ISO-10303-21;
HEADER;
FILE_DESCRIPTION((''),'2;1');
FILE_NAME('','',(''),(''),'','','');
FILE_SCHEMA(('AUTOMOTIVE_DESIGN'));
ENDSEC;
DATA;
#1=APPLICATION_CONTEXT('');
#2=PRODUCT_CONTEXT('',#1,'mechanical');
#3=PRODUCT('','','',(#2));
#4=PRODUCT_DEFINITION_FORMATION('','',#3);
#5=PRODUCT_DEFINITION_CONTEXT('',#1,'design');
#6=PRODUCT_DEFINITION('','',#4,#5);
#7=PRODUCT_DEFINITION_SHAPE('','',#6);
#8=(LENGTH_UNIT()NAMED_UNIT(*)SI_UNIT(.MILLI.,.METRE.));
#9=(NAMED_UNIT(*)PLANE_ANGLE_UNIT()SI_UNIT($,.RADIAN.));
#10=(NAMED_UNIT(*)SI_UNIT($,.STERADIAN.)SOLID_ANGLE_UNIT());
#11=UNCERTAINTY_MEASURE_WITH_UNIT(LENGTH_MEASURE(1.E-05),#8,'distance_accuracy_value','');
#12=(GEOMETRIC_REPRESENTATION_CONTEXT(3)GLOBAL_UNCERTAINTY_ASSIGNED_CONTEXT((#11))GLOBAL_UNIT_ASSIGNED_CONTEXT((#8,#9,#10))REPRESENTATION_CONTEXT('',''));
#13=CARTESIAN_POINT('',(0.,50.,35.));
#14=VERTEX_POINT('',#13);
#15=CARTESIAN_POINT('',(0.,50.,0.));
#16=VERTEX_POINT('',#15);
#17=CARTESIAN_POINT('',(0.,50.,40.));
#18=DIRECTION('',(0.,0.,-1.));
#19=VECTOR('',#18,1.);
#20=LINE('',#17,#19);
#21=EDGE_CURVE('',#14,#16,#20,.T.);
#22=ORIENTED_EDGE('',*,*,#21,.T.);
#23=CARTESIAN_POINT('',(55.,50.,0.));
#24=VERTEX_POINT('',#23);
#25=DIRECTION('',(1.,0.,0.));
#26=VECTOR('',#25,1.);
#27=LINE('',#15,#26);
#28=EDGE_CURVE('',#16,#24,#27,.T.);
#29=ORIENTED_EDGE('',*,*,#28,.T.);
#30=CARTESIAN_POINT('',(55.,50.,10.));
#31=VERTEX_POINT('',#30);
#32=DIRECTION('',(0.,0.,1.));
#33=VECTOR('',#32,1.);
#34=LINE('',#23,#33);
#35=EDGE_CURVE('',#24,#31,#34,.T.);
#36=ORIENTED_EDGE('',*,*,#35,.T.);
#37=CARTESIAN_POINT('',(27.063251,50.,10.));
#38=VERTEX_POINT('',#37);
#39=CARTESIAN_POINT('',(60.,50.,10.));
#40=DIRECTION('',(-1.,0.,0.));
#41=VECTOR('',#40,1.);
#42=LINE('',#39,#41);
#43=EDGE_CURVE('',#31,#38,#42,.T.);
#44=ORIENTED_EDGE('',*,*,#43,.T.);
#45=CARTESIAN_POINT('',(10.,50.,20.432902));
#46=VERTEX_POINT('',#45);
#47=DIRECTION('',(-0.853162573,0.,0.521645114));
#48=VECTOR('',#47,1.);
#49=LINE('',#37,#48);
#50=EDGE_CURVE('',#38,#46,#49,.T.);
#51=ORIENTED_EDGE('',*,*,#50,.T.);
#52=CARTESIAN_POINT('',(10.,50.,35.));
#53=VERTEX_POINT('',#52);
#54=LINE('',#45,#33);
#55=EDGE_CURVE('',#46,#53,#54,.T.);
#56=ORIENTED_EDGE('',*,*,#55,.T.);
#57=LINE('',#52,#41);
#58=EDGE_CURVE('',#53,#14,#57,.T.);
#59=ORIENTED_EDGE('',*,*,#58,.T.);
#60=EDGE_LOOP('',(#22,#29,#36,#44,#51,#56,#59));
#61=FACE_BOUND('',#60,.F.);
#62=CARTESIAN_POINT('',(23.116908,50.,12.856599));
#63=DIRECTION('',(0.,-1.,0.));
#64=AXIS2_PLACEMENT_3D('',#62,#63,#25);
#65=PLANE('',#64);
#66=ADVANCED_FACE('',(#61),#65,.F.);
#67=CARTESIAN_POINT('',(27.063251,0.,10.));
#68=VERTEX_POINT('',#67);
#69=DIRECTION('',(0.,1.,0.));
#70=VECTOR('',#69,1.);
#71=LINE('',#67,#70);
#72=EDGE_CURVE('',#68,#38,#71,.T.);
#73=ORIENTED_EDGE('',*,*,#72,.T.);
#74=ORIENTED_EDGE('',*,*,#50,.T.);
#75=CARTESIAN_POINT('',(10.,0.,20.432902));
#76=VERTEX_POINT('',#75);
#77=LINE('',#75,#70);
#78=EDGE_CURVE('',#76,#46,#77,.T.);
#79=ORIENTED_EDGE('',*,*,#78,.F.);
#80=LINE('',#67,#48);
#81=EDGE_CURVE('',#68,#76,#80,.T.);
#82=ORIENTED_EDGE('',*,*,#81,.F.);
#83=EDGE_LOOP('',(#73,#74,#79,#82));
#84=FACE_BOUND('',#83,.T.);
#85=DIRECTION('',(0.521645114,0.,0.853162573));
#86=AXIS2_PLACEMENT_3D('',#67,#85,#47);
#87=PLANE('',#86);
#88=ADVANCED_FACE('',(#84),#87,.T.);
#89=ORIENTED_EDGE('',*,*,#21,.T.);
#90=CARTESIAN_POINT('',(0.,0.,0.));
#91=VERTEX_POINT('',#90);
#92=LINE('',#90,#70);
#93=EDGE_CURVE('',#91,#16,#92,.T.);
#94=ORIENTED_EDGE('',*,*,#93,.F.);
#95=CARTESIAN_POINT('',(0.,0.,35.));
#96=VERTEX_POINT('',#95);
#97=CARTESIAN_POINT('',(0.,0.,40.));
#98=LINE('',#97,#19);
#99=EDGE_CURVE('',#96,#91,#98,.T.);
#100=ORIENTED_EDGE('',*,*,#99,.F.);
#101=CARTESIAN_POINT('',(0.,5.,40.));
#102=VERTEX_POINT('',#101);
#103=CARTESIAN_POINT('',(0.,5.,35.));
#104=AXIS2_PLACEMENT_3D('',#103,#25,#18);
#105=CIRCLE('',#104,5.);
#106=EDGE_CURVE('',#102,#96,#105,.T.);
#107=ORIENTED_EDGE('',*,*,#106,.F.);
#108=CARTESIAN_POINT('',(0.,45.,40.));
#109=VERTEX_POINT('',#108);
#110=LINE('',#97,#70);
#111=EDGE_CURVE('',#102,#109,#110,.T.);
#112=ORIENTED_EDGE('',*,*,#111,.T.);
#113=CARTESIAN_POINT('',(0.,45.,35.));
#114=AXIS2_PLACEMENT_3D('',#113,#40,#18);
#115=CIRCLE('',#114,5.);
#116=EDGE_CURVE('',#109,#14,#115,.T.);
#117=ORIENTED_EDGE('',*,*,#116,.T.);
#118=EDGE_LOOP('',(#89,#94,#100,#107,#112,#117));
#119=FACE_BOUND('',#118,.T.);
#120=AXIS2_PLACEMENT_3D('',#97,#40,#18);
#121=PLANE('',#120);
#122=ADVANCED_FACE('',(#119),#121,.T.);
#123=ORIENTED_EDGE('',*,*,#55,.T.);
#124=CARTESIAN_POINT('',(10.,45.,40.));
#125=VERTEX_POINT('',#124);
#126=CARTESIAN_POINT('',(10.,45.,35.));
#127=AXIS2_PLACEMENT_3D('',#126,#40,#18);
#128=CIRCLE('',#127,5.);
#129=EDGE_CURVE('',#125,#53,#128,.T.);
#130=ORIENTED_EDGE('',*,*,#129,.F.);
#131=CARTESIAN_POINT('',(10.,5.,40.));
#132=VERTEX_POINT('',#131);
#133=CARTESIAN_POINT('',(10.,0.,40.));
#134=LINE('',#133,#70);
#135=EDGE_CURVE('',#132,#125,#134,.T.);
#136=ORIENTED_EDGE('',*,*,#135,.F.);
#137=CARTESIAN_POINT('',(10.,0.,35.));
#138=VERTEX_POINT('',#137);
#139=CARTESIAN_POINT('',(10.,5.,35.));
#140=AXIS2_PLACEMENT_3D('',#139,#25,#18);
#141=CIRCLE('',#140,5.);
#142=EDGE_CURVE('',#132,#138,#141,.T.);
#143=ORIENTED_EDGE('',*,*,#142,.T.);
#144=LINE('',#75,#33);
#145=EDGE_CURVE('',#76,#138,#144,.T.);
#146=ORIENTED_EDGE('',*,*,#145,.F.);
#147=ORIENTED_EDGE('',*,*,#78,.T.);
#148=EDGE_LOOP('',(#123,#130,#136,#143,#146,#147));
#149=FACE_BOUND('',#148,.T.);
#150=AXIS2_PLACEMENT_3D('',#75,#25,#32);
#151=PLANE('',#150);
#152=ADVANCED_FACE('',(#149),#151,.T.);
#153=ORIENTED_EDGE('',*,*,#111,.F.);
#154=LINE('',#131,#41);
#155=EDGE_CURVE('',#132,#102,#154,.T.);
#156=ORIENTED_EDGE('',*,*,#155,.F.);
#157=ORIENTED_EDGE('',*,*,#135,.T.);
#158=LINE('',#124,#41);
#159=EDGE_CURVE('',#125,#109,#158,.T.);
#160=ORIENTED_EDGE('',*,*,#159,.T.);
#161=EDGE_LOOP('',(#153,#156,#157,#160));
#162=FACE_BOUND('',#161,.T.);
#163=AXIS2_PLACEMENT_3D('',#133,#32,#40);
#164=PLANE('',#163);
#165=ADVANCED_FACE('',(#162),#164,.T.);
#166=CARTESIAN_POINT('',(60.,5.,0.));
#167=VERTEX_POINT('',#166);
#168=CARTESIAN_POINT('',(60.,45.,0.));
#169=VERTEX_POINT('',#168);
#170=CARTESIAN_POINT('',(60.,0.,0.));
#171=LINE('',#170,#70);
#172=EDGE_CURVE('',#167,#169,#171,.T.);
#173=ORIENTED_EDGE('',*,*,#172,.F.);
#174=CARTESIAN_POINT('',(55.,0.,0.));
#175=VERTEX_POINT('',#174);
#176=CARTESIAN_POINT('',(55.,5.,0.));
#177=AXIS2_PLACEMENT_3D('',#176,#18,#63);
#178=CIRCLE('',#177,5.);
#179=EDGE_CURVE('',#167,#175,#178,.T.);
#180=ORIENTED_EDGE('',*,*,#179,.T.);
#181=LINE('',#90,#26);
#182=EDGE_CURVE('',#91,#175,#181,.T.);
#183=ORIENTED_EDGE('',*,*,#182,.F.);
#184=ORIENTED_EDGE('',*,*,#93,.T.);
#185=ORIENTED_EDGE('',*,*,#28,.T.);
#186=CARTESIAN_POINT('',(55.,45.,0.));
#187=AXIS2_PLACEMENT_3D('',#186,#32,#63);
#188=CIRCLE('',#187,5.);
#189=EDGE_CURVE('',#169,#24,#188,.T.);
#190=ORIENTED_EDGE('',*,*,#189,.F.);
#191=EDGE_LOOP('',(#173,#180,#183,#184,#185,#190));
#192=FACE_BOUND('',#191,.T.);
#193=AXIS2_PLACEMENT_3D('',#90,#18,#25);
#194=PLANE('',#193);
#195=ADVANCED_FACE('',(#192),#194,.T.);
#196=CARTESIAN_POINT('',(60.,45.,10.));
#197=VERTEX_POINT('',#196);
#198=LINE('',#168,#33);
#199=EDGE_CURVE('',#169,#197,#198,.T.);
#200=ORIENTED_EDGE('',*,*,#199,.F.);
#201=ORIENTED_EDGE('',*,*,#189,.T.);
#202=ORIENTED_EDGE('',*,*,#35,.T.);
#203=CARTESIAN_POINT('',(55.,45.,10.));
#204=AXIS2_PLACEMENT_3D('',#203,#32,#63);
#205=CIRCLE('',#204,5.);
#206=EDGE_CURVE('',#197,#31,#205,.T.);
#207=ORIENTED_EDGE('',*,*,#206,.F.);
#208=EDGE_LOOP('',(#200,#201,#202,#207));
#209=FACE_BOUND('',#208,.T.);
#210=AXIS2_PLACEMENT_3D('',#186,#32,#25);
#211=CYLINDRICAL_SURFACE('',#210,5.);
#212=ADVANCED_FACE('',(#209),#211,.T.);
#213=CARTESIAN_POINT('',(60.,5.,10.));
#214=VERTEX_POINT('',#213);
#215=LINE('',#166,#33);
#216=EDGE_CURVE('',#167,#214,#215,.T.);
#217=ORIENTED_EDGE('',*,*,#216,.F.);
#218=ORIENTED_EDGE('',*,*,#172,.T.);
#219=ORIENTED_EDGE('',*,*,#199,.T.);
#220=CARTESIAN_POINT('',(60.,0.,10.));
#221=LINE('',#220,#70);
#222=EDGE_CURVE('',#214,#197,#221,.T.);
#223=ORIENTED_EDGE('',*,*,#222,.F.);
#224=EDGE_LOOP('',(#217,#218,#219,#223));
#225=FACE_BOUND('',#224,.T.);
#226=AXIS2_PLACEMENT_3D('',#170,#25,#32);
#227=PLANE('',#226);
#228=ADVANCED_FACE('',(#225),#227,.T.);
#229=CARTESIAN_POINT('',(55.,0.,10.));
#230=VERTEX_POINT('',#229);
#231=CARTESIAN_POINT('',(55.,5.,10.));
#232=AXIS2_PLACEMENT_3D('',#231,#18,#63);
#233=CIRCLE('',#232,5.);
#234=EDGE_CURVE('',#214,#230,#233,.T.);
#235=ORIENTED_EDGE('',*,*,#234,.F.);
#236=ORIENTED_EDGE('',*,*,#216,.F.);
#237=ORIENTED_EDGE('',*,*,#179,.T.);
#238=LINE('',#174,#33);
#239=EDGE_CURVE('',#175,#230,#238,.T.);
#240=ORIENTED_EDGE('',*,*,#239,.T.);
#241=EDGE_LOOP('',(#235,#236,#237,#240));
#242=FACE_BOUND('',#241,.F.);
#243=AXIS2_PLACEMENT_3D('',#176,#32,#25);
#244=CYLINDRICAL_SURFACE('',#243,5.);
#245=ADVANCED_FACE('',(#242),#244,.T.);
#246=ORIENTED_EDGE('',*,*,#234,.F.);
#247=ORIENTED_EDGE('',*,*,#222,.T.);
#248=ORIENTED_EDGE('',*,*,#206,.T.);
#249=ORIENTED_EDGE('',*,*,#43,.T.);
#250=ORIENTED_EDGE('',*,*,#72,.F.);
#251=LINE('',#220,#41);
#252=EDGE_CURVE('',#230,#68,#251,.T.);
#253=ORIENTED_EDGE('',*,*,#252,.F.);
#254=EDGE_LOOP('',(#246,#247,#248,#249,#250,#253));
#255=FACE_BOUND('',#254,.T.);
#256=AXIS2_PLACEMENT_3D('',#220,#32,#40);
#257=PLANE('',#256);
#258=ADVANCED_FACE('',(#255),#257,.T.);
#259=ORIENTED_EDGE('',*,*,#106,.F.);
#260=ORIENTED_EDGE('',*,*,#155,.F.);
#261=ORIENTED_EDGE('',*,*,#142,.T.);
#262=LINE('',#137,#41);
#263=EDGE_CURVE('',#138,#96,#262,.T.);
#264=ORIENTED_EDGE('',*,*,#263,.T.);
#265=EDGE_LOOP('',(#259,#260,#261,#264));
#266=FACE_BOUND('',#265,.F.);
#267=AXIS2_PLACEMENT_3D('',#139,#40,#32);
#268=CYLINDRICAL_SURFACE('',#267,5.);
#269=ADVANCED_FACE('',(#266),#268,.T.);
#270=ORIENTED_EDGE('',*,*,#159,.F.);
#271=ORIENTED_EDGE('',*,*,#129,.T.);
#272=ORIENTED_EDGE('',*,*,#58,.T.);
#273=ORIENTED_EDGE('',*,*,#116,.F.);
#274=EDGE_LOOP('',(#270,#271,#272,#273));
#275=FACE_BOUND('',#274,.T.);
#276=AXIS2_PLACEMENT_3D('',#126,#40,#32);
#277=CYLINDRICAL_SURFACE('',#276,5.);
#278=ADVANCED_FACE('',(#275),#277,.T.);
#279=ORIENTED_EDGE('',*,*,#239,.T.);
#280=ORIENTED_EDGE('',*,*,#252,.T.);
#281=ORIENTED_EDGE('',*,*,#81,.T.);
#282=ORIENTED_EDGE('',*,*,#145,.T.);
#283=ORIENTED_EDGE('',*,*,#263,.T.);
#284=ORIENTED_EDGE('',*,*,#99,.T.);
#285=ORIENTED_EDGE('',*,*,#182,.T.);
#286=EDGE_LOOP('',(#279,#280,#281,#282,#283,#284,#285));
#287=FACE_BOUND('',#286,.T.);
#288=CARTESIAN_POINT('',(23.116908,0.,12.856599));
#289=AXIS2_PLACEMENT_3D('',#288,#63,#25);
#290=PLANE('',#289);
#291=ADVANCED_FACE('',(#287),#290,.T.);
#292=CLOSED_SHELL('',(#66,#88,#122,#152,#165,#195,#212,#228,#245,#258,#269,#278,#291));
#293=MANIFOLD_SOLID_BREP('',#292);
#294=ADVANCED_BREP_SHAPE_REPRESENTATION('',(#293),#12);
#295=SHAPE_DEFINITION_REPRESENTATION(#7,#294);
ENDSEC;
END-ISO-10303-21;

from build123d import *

# Parameters (mm, degrees)
F1_DEPTH = 50
F2_R     = 5


with BuildPart() as f1:
    # F0 (on Front) → F1 (new body)
    with BuildSketch(Plane.XZ):
        Polygon((0, 40), (0, 0), (60, 0), (60, 10), (27.063251, 10), (10, 20.432902), (10, 40), align=None)
    extrude(amount=-F1_DEPTH)

    # F2
    f2_edges = [f1.edges().sort_by_distance(p)[0] for p in [
        (5, 0, 40),
        (5, 50, 40),
        (60, 0, 5),
        (60, 50, 5),
    ]]
    fillet(f2_edges, radius=F2_R)


solid = f1.part
